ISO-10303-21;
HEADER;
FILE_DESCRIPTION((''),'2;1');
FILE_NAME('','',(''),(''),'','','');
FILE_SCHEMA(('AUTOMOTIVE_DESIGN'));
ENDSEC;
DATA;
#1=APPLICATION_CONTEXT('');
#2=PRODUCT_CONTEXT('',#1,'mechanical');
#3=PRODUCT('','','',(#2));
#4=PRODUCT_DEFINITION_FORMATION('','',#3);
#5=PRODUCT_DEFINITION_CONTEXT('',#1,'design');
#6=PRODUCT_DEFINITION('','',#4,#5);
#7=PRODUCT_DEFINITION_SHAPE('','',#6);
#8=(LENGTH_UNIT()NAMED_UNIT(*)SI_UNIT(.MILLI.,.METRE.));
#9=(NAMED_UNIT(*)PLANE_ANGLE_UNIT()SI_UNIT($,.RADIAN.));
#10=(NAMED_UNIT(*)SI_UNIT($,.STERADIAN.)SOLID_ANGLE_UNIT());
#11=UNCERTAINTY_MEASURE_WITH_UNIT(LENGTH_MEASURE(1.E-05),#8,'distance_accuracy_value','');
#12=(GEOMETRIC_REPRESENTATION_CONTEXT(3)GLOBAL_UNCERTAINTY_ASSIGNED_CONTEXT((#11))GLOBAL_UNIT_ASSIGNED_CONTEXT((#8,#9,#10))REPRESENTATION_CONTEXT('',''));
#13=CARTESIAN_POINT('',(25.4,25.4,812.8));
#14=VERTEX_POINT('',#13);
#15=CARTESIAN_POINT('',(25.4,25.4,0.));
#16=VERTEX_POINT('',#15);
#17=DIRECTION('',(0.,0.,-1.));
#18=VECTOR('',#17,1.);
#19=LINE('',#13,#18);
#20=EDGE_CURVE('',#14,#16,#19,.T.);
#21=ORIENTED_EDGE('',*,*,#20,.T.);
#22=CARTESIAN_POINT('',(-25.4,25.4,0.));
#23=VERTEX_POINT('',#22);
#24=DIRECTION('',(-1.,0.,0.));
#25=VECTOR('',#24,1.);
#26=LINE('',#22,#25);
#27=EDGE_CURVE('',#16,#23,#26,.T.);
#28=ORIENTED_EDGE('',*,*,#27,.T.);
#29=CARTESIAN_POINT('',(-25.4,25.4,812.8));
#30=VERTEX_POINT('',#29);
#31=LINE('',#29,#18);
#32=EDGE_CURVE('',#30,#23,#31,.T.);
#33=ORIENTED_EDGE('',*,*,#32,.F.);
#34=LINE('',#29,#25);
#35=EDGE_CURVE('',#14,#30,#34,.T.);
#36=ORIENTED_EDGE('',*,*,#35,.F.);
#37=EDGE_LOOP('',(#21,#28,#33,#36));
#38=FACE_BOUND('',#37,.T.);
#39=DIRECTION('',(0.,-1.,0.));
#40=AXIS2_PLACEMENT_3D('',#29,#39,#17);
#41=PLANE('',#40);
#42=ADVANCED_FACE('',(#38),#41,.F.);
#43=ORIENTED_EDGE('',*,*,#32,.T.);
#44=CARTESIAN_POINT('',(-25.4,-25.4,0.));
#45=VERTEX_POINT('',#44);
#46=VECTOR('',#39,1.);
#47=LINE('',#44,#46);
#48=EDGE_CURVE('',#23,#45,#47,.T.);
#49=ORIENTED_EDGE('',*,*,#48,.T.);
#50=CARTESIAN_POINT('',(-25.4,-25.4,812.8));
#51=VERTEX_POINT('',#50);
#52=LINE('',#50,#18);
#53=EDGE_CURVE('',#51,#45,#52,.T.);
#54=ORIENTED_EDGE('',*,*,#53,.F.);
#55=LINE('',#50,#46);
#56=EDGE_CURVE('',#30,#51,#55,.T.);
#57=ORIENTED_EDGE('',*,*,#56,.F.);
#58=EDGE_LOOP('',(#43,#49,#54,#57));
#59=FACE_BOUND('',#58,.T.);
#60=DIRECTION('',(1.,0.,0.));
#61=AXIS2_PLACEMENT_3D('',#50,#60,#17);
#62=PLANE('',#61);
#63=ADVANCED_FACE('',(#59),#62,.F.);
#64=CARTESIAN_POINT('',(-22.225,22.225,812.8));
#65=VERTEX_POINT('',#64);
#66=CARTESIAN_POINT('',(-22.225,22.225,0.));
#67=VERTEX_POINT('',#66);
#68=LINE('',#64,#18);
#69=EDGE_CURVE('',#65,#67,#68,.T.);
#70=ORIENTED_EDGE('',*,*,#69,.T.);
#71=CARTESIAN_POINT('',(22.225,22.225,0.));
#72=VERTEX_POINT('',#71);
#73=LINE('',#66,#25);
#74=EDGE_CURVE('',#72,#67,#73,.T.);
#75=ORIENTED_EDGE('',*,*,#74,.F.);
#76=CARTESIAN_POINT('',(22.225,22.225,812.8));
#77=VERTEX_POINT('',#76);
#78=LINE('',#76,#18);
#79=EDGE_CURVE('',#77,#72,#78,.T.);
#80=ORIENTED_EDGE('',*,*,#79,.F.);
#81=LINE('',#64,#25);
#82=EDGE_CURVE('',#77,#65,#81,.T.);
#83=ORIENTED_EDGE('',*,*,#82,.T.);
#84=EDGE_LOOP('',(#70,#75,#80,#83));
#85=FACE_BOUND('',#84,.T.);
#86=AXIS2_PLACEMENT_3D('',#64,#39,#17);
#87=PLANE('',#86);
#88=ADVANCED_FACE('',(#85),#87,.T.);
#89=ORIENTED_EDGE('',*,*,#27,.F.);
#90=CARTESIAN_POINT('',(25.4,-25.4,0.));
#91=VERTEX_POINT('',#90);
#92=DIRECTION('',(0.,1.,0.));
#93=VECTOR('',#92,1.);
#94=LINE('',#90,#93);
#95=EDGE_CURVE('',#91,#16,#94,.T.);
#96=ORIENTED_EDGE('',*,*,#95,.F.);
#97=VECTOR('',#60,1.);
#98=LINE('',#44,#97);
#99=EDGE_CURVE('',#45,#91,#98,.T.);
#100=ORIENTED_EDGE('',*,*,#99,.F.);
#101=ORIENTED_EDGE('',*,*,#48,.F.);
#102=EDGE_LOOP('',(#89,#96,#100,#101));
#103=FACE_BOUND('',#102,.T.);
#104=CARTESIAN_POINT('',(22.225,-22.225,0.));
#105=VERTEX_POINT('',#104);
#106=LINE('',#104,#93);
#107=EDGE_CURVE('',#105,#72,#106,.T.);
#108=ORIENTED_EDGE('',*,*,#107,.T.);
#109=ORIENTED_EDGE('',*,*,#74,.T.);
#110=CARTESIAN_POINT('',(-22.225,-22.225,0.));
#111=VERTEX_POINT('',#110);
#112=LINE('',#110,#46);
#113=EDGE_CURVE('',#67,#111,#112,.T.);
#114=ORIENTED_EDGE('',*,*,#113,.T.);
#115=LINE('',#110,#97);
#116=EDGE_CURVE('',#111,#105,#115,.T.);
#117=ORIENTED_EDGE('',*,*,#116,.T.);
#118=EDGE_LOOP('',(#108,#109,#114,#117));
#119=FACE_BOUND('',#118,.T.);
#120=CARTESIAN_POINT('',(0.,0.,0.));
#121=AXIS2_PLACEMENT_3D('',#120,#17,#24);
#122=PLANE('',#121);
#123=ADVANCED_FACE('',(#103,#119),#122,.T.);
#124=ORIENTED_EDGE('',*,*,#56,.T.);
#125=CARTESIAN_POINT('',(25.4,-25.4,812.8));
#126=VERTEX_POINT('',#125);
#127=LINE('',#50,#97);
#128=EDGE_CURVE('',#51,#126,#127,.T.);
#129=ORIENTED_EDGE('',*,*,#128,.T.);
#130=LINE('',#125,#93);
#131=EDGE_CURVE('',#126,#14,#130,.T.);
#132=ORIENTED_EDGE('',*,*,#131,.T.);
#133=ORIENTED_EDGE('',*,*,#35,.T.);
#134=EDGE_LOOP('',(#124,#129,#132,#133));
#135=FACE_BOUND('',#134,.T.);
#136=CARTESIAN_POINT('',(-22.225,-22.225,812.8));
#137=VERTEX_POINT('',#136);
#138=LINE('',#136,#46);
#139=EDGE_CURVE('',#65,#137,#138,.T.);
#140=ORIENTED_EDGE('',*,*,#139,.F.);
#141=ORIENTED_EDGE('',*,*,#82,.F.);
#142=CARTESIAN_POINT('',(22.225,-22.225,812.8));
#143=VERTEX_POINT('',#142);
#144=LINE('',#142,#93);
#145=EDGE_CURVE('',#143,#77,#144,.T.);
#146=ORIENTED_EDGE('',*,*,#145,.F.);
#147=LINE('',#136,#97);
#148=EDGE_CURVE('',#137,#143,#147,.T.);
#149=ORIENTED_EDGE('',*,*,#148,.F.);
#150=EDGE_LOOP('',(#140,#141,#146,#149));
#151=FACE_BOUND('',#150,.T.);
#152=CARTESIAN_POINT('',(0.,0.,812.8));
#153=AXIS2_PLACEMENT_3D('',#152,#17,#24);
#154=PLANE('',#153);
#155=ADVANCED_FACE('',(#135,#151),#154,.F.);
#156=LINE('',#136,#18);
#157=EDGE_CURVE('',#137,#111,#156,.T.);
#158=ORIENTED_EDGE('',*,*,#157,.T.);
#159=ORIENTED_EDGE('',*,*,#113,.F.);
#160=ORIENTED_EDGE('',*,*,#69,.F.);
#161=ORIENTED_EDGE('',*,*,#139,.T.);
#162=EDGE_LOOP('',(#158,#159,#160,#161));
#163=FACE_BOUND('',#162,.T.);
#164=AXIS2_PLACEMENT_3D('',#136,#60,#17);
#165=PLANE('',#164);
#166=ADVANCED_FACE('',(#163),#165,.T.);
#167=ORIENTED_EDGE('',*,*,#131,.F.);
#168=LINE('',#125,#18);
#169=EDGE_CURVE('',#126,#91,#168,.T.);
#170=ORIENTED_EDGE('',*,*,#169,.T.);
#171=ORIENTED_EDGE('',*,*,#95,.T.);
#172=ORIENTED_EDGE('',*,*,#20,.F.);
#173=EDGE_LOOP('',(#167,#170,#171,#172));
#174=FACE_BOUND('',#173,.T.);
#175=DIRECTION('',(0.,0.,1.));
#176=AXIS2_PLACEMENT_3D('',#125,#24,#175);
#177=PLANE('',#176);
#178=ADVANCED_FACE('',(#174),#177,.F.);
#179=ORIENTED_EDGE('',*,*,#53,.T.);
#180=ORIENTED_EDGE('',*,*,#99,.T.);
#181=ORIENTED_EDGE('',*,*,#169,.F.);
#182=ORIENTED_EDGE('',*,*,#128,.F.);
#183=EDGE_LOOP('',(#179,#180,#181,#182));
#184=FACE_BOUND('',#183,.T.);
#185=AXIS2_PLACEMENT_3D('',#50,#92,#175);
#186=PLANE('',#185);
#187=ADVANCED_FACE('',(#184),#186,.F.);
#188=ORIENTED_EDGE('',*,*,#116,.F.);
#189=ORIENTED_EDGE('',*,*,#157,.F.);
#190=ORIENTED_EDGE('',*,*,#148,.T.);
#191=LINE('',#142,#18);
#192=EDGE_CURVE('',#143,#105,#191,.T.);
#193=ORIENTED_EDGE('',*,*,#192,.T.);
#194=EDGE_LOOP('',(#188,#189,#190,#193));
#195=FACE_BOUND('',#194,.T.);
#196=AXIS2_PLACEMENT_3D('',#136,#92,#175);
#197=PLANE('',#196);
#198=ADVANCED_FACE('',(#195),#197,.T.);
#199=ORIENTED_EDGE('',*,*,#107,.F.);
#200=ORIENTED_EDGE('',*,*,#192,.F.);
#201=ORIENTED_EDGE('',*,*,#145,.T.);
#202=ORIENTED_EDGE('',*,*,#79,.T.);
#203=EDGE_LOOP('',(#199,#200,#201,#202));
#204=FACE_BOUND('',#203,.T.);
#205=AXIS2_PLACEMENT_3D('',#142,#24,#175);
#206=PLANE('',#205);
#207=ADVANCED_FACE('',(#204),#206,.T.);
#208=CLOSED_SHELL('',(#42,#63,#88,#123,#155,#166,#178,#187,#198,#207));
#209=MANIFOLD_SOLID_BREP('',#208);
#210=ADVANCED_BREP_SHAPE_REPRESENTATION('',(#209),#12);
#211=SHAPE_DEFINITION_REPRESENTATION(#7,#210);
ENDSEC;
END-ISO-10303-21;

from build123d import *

# Parameters (mm, degrees)
SKETCH1_W           = 50.8
SKETCH1_H           = 50.8
SKETCH1_W_2         = 44.45
SKETCH1_H_2         = 44.45
BOSS_EXTRUDE1_DEPTH = 812.8


with BuildPart() as part:
    # Sketch1 → Boss-Extrude1 (new body)
    with BuildSketch(Plane.XY):
        Rectangle(SKETCH1_W, SKETCH1_H)
        Rectangle(SKETCH1_W_2, SKETCH1_H_2, mode=Mode.SUBTRACT)
    extrude(amount=BOSS_EXTRUDE1_DEPTH)


solid = part.part
